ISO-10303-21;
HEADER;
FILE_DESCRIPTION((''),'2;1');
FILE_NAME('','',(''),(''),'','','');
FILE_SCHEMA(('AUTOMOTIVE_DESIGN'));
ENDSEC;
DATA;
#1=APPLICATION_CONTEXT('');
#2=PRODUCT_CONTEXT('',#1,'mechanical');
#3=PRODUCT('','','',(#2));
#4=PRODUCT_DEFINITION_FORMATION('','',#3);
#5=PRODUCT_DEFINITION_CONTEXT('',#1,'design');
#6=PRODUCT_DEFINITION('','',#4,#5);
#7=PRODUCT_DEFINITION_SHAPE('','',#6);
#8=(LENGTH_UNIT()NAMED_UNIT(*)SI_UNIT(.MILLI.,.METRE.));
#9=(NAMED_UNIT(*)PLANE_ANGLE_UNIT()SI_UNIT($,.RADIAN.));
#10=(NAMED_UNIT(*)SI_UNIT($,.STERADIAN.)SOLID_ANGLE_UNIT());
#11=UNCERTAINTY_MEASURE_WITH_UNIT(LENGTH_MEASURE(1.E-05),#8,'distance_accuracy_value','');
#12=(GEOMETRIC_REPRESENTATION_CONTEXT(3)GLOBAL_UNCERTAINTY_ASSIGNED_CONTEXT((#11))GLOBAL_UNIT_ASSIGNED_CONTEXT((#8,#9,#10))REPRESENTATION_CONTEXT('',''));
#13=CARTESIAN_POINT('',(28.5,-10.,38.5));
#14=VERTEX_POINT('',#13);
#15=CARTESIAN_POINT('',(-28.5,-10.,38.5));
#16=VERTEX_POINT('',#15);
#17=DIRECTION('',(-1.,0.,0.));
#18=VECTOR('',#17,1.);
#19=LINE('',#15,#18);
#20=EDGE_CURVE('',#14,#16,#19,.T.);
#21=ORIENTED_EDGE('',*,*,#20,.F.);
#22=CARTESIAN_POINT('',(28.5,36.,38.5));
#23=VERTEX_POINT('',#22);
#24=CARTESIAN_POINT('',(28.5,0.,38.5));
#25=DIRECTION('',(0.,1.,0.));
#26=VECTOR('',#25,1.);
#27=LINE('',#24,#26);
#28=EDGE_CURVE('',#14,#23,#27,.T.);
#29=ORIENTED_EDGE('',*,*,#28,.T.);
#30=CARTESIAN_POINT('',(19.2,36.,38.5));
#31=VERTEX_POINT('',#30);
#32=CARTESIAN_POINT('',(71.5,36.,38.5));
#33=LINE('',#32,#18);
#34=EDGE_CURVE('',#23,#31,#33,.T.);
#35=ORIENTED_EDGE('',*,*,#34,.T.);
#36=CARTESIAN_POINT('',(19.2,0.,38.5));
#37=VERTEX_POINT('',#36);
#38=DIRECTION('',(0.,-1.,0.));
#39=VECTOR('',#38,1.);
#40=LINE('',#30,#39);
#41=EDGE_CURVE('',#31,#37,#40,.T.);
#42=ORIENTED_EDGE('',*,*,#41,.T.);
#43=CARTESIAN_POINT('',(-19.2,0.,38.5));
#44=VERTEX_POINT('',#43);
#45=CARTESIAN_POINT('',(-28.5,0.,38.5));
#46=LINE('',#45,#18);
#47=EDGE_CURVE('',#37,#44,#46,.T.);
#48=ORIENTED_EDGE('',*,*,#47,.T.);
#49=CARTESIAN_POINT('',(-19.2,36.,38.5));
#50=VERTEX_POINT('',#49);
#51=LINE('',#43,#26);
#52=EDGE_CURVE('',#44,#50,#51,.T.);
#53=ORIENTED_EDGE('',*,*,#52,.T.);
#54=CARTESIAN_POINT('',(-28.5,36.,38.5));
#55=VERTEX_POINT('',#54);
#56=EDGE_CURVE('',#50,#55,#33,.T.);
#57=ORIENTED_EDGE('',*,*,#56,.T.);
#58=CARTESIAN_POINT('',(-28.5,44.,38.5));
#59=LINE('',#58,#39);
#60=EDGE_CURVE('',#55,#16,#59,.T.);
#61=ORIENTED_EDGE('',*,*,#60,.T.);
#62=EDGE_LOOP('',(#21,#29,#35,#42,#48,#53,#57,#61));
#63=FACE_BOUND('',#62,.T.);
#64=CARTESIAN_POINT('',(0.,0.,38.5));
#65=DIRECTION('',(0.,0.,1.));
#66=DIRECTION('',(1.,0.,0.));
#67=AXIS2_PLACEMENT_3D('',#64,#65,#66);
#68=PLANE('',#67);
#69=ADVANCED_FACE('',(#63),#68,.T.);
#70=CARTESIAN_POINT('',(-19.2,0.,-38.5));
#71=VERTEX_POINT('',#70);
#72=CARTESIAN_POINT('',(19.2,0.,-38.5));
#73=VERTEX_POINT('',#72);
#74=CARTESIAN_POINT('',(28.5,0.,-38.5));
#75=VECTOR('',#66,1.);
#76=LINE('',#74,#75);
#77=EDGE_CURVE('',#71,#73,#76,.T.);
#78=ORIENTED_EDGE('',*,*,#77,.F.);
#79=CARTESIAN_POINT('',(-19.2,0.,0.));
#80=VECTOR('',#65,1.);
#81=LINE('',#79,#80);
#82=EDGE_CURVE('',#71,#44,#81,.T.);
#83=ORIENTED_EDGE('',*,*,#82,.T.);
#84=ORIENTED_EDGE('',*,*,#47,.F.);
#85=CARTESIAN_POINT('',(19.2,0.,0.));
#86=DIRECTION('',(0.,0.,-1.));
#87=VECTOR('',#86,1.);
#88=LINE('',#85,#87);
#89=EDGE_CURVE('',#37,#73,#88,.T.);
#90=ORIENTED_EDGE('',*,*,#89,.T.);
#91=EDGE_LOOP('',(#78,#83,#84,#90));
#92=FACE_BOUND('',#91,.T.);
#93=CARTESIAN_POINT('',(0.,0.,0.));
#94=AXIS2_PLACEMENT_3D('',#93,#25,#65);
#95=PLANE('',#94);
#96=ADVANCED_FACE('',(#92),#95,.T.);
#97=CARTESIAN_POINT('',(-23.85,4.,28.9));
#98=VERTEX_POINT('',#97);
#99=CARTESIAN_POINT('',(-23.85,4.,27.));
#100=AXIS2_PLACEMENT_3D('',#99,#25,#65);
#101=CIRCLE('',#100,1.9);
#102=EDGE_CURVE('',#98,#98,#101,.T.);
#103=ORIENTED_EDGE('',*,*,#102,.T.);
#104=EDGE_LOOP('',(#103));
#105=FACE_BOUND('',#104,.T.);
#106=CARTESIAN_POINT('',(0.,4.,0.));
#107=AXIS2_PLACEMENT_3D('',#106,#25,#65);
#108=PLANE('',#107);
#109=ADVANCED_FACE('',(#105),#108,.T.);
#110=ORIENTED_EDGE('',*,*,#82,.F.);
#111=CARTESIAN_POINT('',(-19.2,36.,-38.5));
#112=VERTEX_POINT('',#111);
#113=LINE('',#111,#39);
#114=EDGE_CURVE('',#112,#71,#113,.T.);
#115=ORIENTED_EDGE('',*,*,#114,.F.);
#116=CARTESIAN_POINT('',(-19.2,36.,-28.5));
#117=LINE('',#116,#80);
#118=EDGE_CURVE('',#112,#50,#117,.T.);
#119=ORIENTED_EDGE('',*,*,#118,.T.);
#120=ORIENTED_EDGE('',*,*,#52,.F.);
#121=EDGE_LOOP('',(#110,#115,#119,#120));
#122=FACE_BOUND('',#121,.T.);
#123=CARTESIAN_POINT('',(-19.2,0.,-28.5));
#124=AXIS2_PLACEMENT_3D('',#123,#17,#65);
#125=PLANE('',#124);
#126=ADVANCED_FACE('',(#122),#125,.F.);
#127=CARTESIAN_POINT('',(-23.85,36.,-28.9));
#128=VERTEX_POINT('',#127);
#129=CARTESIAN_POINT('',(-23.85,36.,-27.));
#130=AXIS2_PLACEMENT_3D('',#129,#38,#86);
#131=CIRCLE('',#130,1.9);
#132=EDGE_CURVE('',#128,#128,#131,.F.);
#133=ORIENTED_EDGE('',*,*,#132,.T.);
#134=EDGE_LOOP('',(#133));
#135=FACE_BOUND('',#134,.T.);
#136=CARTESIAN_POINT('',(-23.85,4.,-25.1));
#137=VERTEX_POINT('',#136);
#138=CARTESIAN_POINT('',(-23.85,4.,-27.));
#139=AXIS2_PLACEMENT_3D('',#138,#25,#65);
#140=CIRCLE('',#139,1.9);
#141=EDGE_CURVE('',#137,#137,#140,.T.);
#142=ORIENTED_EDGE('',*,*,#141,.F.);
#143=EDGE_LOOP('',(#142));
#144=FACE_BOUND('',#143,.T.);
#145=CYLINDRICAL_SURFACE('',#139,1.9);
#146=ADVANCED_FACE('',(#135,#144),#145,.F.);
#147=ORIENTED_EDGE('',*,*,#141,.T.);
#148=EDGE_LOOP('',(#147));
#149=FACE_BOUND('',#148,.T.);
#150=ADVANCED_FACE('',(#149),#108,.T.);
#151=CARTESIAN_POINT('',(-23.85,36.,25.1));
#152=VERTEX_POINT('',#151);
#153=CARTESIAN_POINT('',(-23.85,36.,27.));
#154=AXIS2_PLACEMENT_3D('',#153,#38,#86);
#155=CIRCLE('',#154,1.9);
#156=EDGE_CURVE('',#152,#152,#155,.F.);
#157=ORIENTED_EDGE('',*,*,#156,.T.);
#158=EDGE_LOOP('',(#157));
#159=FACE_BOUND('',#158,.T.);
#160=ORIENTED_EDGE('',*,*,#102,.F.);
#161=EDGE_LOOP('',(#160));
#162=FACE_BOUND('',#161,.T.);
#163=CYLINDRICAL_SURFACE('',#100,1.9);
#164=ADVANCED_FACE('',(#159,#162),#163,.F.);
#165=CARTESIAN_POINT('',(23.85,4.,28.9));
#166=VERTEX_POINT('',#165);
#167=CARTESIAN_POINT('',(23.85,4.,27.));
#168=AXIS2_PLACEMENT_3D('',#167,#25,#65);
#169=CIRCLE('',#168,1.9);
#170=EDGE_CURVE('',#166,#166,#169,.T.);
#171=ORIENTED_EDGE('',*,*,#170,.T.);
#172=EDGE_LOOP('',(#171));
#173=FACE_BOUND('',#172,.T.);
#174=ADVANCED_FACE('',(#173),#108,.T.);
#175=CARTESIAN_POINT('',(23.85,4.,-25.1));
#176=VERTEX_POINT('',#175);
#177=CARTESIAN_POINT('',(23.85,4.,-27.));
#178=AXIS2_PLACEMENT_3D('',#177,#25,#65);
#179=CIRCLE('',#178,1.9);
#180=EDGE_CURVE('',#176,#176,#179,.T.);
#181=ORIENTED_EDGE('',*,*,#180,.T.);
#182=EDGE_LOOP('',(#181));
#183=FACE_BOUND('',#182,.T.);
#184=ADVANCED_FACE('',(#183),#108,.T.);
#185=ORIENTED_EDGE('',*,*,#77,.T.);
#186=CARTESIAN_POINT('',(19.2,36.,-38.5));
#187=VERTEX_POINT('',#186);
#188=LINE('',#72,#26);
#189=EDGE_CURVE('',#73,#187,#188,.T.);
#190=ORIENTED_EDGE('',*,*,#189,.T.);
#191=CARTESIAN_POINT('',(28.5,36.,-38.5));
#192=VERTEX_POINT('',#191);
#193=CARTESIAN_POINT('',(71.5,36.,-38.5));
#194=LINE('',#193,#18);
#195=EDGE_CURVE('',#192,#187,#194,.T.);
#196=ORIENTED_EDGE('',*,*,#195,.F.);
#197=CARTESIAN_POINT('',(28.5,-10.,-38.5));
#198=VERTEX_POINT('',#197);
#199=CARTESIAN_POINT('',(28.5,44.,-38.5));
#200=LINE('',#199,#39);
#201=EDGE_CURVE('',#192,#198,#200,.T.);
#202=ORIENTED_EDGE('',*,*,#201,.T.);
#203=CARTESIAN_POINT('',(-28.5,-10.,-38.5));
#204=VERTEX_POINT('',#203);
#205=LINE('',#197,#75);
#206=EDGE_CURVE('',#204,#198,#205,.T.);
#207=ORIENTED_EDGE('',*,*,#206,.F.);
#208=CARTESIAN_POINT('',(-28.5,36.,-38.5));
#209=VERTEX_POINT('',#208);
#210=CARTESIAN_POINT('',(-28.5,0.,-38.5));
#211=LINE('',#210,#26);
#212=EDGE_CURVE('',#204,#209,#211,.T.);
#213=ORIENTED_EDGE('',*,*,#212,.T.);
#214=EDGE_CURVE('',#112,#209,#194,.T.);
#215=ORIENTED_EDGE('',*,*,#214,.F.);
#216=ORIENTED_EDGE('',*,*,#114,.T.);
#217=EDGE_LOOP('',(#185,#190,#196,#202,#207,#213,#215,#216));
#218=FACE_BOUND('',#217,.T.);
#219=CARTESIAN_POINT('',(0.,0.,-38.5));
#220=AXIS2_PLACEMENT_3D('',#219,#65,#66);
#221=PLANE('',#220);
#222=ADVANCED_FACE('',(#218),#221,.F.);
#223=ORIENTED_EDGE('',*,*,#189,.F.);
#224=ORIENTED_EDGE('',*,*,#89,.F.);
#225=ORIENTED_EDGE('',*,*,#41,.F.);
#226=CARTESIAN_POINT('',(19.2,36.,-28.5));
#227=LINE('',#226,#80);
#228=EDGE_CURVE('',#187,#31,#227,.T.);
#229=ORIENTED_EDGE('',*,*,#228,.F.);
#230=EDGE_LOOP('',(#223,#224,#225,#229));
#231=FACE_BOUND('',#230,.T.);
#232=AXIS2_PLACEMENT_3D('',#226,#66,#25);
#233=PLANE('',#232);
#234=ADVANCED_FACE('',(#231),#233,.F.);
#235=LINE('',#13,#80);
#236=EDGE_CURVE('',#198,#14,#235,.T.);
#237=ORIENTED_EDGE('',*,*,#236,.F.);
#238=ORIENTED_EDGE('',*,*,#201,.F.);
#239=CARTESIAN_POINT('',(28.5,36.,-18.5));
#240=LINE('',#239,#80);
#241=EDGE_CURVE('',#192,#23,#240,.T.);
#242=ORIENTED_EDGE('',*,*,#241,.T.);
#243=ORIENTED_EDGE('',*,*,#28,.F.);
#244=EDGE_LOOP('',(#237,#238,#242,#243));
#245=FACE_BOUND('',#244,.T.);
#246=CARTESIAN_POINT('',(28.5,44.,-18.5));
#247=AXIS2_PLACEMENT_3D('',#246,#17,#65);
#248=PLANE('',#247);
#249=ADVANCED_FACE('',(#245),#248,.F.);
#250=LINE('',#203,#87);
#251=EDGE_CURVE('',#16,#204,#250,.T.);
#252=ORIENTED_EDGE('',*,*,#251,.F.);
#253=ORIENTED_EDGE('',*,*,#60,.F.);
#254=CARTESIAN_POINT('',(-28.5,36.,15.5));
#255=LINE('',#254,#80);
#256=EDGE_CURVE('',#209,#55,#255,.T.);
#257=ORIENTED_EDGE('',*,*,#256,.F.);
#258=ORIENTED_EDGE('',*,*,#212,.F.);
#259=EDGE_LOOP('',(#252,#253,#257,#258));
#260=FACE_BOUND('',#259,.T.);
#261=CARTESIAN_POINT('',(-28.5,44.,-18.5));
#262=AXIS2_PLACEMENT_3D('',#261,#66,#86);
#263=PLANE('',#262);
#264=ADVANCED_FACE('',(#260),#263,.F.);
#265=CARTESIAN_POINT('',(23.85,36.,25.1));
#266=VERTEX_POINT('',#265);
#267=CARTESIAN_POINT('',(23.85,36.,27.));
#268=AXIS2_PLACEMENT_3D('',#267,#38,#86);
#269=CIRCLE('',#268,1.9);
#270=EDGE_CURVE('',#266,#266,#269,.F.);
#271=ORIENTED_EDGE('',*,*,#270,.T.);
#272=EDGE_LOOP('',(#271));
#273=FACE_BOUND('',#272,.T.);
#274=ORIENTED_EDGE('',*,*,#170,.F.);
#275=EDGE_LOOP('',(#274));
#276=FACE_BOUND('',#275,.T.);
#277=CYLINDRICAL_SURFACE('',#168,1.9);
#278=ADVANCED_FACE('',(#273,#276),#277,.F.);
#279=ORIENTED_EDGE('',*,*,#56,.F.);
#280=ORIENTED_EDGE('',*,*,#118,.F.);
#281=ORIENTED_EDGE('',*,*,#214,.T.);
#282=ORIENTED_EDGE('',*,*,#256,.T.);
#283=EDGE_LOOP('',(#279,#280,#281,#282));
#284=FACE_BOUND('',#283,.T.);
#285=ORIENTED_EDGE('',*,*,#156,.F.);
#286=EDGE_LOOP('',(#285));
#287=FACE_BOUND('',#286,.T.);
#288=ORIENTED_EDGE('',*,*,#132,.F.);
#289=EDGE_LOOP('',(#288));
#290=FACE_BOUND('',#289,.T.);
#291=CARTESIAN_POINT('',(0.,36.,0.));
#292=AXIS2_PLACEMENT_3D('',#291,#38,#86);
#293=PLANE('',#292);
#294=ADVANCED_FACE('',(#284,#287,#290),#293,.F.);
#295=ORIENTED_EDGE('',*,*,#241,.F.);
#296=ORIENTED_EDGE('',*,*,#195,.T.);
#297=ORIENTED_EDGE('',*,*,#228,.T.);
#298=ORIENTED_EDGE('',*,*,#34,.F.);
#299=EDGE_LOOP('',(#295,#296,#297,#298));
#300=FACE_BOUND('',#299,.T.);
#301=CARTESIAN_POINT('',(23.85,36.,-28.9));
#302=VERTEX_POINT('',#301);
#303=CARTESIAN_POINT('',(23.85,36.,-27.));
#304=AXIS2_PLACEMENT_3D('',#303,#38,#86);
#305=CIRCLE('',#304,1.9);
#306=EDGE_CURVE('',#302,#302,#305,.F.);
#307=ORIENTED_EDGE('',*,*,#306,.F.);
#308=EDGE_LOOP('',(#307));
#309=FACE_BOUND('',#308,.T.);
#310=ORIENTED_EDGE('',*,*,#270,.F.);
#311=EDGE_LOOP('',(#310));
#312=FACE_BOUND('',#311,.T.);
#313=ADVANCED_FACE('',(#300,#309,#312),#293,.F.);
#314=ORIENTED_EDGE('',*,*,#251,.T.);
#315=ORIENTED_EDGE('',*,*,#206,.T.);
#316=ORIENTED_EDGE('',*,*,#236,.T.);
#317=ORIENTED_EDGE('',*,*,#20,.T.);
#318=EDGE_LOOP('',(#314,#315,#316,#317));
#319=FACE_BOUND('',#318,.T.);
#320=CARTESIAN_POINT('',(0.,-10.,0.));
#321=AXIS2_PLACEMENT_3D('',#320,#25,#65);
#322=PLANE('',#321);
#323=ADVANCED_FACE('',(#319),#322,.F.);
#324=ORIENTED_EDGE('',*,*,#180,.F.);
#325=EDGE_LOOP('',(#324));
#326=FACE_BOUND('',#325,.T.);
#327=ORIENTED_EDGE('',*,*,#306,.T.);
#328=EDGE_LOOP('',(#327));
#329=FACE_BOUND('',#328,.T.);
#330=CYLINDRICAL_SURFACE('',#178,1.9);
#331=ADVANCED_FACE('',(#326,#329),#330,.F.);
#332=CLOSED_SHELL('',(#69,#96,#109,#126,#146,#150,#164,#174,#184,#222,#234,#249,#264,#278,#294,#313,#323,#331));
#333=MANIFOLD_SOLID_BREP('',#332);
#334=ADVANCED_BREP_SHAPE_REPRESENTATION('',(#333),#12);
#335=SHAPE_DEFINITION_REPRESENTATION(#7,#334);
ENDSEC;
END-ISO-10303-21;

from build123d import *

# Parameters (mm, degrees)
SKETCH1_W           = 57
SKETCH1_H           = 37
BOSS_EXTRUDE1_DEPTH = 44
SKETCH2_W           = 38.4
SKETCH2_H           = 36
CUT_EXTRUDE1_DEPTH  = 47
BOSS_EXTRUDE2_DEPTH = 20
BOSS_EXTRUDE3_DEPTH = 20
SKETCH7_W           = 53
SKETCH7_H           = 31
CUT_EXTRUDE4_DEPTH  = 8
SKETCH8_R           = 1.9
CUT_EXTRUDE5_DEPTH  = 40
SKETCH10_W          = 57
SKETCH10_H          = 77
BOSS_EXTRUDE4_DEPTH = 10
SKETCH11_W          = 77
SKETCH11_H          = 8
CUT_EXTRUDE8_DEPTH  = 100


with BuildPart() as part:
    # Sketch1 → Boss-Extrude1 (new body)
    with BuildSketch(Plane(origin=(0, 0, 0), x_dir=(1, 0, 0), z_dir=(0, 1, 0))):
        Rectangle(SKETCH1_W, SKETCH1_H)
    extrude(amount=BOSS_EXTRUDE1_DEPTH)

    # Sketch2 → Cut-Extrude1 (cut)
    with BuildSketch(Plane.XY.offset(18.5)):
        with Locations((0, 18)):
            Rectangle(SKETCH2_W, SKETCH2_H)
    extrude(amount=-CUT_EXTRUDE1_DEPTH, mode=Mode.SUBTRACT)

    # Sketch5 → Boss-Extrude2 (add)
    with BuildSketch(Plane(origin=(0, 0, -18.5), x_dir=(-1, 0, 0), z_dir=(0, 0, -1))):
        Polygon((-19.2, 36), (19.2, 36), (19.2, 0), (28.5, 0), (28.5, 44), (-28.5, 44), (-28.5, 0), (-19.2, 0), align=None)
    extrude(amount=BOSS_EXTRUDE2_DEPTH)

    # Sketch6 → Boss-Extrude3 (add)
    with BuildSketch(Plane.XY.offset(18.5)):
        Polygon((-28.5, 0), (-19.2, 0), (-19.2, 36), (19.2, 36), (19.2, 0), (28.5, 0), (28.5, 44), (-28.5, 44), align=None)
    extrude(amount=BOSS_EXTRUDE3_DEPTH)

    # Sketch7 → Cut-Extrude4 (cut)
    with BuildSketch(Plane(origin=(0, 44, 0), x_dir=(1, 0, 0), z_dir=(0, 1, 0))):
        with Locations((-2, 0)):
            Rectangle(SKETCH7_W, SKETCH7_H)
    extrude(amount=-CUT_EXTRUDE4_DEPTH, mode=Mode.SUBTRACT)

    # Sketch8 → Cut-Extrude5 (cut)
    with BuildSketch(Plane(origin=(0, 44, 0), x_dir=(1, 0, 0), z_dir=(0, 1, 0))):
        with Locations((-23.85, 27)):
            Circle(SKETCH8_R)
        with Locations((23.85, 27)):
            Circle(SKETCH8_R)
        with Locations((-23.85, -27)):
            Circle(SKETCH8_R)
        with Locations((23.85, -27)):
            Circle(SKETCH8_R)
    extrude(amount=-CUT_EXTRUDE5_DEPTH, mode=Mode.SUBTRACT)

    # Sketch10 → Boss-Extrude4 (add)
    with BuildSketch(Plane.XZ):
        Rectangle(SKETCH10_W, SKETCH10_H)
    extrude(amount=BOSS_EXTRUDE4_DEPTH)

    # Sketch11 → Cut-Extrude8 (cut)
    with BuildSketch(Plane.ZY.offset(28.5)):
        with Locations((0, 40)):
            Rectangle(SKETCH11_W, SKETCH11_H)
    extrude(amount=-CUT_EXTRUDE8_DEPTH, mode=Mode.SUBTRACT)


solid = part.part
